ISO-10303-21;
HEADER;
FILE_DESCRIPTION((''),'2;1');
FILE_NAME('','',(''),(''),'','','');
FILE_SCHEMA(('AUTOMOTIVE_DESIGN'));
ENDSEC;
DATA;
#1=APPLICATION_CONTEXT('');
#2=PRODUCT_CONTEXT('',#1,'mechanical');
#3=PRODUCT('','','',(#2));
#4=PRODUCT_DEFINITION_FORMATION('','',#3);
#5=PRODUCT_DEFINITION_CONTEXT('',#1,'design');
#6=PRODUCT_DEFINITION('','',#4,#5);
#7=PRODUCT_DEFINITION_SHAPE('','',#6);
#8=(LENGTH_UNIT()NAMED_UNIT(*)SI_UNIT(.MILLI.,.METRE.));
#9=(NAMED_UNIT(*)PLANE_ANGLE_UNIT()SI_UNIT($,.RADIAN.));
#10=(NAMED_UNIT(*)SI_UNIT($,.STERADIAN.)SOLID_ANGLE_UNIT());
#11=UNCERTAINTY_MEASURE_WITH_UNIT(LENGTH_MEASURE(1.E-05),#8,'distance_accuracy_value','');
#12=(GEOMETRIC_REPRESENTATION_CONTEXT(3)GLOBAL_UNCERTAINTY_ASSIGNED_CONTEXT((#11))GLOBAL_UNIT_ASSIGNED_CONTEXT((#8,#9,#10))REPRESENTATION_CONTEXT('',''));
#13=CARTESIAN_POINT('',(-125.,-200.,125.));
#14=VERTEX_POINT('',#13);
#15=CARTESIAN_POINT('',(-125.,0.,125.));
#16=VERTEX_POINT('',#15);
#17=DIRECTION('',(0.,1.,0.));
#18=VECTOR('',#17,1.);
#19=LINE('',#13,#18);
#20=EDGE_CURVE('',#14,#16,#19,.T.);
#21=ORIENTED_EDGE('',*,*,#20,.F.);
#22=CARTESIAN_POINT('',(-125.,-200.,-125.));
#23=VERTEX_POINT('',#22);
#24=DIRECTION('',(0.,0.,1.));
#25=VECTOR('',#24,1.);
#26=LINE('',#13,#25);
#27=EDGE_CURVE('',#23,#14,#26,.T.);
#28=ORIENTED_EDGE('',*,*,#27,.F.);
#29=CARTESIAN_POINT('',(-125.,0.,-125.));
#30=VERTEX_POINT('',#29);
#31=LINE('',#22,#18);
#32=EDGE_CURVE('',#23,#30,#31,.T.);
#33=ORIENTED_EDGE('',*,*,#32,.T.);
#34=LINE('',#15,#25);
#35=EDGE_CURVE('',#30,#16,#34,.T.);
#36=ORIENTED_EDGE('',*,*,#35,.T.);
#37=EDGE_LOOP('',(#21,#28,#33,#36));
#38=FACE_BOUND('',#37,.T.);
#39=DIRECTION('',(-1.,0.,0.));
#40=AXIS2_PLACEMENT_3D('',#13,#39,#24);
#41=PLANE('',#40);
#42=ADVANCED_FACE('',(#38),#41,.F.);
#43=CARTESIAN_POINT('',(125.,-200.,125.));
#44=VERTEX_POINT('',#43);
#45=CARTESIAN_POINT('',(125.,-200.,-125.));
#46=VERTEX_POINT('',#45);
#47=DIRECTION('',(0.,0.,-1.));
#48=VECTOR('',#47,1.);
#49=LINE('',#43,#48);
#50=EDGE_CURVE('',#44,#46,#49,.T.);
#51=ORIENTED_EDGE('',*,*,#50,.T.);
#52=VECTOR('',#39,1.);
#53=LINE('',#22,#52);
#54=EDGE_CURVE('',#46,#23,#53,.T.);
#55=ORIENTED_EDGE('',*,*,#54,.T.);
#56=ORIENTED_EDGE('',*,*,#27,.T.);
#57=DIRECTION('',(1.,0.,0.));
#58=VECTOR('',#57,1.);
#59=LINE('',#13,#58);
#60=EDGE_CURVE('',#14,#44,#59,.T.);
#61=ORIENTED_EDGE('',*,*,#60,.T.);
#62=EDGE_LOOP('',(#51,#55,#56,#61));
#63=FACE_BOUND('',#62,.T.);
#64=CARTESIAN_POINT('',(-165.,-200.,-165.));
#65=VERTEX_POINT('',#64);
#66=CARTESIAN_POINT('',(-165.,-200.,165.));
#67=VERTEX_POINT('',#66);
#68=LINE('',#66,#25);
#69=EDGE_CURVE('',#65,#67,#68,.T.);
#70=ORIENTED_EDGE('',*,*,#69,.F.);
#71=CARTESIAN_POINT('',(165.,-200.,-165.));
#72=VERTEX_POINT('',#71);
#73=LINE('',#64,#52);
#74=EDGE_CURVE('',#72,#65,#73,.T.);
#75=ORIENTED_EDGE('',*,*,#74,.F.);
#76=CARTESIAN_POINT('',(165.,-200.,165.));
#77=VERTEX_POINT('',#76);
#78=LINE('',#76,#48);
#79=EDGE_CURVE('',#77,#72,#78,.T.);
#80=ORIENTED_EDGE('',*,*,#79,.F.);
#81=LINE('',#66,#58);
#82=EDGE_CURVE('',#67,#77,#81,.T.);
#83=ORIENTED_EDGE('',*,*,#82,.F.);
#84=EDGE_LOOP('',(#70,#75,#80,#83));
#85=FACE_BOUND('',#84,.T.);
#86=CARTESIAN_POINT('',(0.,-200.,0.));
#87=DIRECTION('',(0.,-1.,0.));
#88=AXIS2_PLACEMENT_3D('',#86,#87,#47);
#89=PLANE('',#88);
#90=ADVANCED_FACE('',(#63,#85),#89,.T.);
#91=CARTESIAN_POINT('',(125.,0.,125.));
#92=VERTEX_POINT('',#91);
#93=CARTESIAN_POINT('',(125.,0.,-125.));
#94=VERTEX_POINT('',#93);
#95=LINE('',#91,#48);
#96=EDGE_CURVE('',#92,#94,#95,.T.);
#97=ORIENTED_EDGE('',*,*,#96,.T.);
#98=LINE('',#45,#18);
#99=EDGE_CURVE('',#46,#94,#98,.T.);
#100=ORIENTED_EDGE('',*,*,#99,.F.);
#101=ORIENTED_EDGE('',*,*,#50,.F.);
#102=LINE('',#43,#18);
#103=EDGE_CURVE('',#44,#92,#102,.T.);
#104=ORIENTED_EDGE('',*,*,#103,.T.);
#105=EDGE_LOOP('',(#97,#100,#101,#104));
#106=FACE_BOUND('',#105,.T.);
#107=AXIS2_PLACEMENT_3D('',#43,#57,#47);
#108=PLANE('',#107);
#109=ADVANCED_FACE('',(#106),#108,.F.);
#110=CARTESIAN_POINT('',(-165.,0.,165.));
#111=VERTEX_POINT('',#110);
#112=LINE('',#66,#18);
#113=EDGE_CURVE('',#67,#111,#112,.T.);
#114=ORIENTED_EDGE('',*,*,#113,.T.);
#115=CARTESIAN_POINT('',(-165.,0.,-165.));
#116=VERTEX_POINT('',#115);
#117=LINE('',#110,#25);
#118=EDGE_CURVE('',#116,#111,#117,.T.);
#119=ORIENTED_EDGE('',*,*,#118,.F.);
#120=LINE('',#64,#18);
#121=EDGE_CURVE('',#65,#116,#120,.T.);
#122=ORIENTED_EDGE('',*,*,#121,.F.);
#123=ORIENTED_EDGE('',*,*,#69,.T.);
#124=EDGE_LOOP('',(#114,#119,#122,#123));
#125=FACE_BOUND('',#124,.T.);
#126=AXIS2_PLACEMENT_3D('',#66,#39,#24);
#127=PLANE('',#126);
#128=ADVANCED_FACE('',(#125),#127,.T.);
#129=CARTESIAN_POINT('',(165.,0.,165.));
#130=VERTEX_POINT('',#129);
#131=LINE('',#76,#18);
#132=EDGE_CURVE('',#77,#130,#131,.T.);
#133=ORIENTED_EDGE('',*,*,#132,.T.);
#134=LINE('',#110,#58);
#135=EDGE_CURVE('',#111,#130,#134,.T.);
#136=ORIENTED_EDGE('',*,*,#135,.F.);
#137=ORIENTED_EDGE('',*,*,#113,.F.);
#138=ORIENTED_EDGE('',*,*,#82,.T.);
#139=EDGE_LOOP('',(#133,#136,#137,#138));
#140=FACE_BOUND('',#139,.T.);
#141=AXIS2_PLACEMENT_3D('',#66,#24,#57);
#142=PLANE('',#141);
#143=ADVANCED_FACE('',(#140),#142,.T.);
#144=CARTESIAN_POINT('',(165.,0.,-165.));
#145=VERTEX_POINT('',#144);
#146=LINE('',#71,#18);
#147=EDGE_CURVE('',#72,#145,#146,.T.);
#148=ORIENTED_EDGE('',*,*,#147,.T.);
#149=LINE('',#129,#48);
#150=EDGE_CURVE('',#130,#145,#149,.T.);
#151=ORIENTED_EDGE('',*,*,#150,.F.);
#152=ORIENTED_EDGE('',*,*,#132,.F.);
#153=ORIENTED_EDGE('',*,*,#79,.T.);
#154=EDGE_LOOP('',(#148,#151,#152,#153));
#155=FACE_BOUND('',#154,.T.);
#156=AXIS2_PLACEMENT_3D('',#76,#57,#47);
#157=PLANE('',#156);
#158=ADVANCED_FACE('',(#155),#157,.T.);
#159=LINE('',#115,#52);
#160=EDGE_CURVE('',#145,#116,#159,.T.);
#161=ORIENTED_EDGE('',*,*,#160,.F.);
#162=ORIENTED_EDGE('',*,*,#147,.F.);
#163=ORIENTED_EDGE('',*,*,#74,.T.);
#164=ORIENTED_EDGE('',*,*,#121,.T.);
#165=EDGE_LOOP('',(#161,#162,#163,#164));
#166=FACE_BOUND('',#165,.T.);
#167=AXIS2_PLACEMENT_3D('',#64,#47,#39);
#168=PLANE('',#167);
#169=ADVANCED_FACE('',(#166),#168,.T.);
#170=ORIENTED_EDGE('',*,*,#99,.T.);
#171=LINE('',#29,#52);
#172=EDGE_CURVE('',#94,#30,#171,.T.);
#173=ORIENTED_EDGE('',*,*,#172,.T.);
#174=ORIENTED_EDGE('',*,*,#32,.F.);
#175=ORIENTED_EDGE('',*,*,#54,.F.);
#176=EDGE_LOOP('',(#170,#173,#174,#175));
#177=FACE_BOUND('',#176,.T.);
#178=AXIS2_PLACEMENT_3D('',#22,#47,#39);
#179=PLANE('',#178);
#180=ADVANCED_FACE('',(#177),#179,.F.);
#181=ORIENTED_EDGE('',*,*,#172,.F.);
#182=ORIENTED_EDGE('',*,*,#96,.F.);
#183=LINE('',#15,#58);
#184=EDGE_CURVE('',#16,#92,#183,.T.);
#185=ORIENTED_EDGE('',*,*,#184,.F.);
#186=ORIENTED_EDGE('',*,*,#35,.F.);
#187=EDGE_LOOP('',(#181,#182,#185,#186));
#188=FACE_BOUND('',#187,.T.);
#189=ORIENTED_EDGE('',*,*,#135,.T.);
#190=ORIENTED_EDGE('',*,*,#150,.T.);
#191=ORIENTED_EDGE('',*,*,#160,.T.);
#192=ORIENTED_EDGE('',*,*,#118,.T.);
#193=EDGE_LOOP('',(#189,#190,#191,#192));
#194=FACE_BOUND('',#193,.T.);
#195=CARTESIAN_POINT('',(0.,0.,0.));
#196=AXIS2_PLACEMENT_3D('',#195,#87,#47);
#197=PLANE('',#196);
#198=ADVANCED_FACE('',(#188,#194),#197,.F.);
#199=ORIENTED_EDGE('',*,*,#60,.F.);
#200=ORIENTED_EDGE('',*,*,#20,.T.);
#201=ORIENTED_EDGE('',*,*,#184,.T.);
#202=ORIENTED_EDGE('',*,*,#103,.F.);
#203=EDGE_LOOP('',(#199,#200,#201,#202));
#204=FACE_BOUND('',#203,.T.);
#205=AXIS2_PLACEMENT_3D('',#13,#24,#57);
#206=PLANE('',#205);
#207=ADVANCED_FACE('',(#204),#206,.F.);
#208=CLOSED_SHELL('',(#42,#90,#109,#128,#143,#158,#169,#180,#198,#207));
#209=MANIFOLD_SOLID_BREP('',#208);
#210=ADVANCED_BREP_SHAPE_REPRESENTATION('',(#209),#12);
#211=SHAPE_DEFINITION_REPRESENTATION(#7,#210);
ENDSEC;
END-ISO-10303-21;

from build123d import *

# Parameters (mm, degrees)
ESQUISSE1_W        = 330
ESQUISSE1_H        = 330
ESQUISSE1_W_2      = 250
ESQUISSE1_H_2      = 250
BOSS_EXTRU_1_DEPTH = 200


with BuildPart() as part:
    # Esquisse1 → Boss.-Extru.1 (new body)
    with BuildSketch(Plane(origin=(0, 0, 0), x_dir=(1, 0, 0), z_dir=(0, 1, 0))):
        Rectangle(ESQUISSE1_W, ESQUISSE1_H)
        Rectangle(ESQUISSE1_W_2, ESQUISSE1_H_2, mode=Mode.SUBTRACT)
    extrude(amount=-BOSS_EXTRU_1_DEPTH)


solid = part.part
